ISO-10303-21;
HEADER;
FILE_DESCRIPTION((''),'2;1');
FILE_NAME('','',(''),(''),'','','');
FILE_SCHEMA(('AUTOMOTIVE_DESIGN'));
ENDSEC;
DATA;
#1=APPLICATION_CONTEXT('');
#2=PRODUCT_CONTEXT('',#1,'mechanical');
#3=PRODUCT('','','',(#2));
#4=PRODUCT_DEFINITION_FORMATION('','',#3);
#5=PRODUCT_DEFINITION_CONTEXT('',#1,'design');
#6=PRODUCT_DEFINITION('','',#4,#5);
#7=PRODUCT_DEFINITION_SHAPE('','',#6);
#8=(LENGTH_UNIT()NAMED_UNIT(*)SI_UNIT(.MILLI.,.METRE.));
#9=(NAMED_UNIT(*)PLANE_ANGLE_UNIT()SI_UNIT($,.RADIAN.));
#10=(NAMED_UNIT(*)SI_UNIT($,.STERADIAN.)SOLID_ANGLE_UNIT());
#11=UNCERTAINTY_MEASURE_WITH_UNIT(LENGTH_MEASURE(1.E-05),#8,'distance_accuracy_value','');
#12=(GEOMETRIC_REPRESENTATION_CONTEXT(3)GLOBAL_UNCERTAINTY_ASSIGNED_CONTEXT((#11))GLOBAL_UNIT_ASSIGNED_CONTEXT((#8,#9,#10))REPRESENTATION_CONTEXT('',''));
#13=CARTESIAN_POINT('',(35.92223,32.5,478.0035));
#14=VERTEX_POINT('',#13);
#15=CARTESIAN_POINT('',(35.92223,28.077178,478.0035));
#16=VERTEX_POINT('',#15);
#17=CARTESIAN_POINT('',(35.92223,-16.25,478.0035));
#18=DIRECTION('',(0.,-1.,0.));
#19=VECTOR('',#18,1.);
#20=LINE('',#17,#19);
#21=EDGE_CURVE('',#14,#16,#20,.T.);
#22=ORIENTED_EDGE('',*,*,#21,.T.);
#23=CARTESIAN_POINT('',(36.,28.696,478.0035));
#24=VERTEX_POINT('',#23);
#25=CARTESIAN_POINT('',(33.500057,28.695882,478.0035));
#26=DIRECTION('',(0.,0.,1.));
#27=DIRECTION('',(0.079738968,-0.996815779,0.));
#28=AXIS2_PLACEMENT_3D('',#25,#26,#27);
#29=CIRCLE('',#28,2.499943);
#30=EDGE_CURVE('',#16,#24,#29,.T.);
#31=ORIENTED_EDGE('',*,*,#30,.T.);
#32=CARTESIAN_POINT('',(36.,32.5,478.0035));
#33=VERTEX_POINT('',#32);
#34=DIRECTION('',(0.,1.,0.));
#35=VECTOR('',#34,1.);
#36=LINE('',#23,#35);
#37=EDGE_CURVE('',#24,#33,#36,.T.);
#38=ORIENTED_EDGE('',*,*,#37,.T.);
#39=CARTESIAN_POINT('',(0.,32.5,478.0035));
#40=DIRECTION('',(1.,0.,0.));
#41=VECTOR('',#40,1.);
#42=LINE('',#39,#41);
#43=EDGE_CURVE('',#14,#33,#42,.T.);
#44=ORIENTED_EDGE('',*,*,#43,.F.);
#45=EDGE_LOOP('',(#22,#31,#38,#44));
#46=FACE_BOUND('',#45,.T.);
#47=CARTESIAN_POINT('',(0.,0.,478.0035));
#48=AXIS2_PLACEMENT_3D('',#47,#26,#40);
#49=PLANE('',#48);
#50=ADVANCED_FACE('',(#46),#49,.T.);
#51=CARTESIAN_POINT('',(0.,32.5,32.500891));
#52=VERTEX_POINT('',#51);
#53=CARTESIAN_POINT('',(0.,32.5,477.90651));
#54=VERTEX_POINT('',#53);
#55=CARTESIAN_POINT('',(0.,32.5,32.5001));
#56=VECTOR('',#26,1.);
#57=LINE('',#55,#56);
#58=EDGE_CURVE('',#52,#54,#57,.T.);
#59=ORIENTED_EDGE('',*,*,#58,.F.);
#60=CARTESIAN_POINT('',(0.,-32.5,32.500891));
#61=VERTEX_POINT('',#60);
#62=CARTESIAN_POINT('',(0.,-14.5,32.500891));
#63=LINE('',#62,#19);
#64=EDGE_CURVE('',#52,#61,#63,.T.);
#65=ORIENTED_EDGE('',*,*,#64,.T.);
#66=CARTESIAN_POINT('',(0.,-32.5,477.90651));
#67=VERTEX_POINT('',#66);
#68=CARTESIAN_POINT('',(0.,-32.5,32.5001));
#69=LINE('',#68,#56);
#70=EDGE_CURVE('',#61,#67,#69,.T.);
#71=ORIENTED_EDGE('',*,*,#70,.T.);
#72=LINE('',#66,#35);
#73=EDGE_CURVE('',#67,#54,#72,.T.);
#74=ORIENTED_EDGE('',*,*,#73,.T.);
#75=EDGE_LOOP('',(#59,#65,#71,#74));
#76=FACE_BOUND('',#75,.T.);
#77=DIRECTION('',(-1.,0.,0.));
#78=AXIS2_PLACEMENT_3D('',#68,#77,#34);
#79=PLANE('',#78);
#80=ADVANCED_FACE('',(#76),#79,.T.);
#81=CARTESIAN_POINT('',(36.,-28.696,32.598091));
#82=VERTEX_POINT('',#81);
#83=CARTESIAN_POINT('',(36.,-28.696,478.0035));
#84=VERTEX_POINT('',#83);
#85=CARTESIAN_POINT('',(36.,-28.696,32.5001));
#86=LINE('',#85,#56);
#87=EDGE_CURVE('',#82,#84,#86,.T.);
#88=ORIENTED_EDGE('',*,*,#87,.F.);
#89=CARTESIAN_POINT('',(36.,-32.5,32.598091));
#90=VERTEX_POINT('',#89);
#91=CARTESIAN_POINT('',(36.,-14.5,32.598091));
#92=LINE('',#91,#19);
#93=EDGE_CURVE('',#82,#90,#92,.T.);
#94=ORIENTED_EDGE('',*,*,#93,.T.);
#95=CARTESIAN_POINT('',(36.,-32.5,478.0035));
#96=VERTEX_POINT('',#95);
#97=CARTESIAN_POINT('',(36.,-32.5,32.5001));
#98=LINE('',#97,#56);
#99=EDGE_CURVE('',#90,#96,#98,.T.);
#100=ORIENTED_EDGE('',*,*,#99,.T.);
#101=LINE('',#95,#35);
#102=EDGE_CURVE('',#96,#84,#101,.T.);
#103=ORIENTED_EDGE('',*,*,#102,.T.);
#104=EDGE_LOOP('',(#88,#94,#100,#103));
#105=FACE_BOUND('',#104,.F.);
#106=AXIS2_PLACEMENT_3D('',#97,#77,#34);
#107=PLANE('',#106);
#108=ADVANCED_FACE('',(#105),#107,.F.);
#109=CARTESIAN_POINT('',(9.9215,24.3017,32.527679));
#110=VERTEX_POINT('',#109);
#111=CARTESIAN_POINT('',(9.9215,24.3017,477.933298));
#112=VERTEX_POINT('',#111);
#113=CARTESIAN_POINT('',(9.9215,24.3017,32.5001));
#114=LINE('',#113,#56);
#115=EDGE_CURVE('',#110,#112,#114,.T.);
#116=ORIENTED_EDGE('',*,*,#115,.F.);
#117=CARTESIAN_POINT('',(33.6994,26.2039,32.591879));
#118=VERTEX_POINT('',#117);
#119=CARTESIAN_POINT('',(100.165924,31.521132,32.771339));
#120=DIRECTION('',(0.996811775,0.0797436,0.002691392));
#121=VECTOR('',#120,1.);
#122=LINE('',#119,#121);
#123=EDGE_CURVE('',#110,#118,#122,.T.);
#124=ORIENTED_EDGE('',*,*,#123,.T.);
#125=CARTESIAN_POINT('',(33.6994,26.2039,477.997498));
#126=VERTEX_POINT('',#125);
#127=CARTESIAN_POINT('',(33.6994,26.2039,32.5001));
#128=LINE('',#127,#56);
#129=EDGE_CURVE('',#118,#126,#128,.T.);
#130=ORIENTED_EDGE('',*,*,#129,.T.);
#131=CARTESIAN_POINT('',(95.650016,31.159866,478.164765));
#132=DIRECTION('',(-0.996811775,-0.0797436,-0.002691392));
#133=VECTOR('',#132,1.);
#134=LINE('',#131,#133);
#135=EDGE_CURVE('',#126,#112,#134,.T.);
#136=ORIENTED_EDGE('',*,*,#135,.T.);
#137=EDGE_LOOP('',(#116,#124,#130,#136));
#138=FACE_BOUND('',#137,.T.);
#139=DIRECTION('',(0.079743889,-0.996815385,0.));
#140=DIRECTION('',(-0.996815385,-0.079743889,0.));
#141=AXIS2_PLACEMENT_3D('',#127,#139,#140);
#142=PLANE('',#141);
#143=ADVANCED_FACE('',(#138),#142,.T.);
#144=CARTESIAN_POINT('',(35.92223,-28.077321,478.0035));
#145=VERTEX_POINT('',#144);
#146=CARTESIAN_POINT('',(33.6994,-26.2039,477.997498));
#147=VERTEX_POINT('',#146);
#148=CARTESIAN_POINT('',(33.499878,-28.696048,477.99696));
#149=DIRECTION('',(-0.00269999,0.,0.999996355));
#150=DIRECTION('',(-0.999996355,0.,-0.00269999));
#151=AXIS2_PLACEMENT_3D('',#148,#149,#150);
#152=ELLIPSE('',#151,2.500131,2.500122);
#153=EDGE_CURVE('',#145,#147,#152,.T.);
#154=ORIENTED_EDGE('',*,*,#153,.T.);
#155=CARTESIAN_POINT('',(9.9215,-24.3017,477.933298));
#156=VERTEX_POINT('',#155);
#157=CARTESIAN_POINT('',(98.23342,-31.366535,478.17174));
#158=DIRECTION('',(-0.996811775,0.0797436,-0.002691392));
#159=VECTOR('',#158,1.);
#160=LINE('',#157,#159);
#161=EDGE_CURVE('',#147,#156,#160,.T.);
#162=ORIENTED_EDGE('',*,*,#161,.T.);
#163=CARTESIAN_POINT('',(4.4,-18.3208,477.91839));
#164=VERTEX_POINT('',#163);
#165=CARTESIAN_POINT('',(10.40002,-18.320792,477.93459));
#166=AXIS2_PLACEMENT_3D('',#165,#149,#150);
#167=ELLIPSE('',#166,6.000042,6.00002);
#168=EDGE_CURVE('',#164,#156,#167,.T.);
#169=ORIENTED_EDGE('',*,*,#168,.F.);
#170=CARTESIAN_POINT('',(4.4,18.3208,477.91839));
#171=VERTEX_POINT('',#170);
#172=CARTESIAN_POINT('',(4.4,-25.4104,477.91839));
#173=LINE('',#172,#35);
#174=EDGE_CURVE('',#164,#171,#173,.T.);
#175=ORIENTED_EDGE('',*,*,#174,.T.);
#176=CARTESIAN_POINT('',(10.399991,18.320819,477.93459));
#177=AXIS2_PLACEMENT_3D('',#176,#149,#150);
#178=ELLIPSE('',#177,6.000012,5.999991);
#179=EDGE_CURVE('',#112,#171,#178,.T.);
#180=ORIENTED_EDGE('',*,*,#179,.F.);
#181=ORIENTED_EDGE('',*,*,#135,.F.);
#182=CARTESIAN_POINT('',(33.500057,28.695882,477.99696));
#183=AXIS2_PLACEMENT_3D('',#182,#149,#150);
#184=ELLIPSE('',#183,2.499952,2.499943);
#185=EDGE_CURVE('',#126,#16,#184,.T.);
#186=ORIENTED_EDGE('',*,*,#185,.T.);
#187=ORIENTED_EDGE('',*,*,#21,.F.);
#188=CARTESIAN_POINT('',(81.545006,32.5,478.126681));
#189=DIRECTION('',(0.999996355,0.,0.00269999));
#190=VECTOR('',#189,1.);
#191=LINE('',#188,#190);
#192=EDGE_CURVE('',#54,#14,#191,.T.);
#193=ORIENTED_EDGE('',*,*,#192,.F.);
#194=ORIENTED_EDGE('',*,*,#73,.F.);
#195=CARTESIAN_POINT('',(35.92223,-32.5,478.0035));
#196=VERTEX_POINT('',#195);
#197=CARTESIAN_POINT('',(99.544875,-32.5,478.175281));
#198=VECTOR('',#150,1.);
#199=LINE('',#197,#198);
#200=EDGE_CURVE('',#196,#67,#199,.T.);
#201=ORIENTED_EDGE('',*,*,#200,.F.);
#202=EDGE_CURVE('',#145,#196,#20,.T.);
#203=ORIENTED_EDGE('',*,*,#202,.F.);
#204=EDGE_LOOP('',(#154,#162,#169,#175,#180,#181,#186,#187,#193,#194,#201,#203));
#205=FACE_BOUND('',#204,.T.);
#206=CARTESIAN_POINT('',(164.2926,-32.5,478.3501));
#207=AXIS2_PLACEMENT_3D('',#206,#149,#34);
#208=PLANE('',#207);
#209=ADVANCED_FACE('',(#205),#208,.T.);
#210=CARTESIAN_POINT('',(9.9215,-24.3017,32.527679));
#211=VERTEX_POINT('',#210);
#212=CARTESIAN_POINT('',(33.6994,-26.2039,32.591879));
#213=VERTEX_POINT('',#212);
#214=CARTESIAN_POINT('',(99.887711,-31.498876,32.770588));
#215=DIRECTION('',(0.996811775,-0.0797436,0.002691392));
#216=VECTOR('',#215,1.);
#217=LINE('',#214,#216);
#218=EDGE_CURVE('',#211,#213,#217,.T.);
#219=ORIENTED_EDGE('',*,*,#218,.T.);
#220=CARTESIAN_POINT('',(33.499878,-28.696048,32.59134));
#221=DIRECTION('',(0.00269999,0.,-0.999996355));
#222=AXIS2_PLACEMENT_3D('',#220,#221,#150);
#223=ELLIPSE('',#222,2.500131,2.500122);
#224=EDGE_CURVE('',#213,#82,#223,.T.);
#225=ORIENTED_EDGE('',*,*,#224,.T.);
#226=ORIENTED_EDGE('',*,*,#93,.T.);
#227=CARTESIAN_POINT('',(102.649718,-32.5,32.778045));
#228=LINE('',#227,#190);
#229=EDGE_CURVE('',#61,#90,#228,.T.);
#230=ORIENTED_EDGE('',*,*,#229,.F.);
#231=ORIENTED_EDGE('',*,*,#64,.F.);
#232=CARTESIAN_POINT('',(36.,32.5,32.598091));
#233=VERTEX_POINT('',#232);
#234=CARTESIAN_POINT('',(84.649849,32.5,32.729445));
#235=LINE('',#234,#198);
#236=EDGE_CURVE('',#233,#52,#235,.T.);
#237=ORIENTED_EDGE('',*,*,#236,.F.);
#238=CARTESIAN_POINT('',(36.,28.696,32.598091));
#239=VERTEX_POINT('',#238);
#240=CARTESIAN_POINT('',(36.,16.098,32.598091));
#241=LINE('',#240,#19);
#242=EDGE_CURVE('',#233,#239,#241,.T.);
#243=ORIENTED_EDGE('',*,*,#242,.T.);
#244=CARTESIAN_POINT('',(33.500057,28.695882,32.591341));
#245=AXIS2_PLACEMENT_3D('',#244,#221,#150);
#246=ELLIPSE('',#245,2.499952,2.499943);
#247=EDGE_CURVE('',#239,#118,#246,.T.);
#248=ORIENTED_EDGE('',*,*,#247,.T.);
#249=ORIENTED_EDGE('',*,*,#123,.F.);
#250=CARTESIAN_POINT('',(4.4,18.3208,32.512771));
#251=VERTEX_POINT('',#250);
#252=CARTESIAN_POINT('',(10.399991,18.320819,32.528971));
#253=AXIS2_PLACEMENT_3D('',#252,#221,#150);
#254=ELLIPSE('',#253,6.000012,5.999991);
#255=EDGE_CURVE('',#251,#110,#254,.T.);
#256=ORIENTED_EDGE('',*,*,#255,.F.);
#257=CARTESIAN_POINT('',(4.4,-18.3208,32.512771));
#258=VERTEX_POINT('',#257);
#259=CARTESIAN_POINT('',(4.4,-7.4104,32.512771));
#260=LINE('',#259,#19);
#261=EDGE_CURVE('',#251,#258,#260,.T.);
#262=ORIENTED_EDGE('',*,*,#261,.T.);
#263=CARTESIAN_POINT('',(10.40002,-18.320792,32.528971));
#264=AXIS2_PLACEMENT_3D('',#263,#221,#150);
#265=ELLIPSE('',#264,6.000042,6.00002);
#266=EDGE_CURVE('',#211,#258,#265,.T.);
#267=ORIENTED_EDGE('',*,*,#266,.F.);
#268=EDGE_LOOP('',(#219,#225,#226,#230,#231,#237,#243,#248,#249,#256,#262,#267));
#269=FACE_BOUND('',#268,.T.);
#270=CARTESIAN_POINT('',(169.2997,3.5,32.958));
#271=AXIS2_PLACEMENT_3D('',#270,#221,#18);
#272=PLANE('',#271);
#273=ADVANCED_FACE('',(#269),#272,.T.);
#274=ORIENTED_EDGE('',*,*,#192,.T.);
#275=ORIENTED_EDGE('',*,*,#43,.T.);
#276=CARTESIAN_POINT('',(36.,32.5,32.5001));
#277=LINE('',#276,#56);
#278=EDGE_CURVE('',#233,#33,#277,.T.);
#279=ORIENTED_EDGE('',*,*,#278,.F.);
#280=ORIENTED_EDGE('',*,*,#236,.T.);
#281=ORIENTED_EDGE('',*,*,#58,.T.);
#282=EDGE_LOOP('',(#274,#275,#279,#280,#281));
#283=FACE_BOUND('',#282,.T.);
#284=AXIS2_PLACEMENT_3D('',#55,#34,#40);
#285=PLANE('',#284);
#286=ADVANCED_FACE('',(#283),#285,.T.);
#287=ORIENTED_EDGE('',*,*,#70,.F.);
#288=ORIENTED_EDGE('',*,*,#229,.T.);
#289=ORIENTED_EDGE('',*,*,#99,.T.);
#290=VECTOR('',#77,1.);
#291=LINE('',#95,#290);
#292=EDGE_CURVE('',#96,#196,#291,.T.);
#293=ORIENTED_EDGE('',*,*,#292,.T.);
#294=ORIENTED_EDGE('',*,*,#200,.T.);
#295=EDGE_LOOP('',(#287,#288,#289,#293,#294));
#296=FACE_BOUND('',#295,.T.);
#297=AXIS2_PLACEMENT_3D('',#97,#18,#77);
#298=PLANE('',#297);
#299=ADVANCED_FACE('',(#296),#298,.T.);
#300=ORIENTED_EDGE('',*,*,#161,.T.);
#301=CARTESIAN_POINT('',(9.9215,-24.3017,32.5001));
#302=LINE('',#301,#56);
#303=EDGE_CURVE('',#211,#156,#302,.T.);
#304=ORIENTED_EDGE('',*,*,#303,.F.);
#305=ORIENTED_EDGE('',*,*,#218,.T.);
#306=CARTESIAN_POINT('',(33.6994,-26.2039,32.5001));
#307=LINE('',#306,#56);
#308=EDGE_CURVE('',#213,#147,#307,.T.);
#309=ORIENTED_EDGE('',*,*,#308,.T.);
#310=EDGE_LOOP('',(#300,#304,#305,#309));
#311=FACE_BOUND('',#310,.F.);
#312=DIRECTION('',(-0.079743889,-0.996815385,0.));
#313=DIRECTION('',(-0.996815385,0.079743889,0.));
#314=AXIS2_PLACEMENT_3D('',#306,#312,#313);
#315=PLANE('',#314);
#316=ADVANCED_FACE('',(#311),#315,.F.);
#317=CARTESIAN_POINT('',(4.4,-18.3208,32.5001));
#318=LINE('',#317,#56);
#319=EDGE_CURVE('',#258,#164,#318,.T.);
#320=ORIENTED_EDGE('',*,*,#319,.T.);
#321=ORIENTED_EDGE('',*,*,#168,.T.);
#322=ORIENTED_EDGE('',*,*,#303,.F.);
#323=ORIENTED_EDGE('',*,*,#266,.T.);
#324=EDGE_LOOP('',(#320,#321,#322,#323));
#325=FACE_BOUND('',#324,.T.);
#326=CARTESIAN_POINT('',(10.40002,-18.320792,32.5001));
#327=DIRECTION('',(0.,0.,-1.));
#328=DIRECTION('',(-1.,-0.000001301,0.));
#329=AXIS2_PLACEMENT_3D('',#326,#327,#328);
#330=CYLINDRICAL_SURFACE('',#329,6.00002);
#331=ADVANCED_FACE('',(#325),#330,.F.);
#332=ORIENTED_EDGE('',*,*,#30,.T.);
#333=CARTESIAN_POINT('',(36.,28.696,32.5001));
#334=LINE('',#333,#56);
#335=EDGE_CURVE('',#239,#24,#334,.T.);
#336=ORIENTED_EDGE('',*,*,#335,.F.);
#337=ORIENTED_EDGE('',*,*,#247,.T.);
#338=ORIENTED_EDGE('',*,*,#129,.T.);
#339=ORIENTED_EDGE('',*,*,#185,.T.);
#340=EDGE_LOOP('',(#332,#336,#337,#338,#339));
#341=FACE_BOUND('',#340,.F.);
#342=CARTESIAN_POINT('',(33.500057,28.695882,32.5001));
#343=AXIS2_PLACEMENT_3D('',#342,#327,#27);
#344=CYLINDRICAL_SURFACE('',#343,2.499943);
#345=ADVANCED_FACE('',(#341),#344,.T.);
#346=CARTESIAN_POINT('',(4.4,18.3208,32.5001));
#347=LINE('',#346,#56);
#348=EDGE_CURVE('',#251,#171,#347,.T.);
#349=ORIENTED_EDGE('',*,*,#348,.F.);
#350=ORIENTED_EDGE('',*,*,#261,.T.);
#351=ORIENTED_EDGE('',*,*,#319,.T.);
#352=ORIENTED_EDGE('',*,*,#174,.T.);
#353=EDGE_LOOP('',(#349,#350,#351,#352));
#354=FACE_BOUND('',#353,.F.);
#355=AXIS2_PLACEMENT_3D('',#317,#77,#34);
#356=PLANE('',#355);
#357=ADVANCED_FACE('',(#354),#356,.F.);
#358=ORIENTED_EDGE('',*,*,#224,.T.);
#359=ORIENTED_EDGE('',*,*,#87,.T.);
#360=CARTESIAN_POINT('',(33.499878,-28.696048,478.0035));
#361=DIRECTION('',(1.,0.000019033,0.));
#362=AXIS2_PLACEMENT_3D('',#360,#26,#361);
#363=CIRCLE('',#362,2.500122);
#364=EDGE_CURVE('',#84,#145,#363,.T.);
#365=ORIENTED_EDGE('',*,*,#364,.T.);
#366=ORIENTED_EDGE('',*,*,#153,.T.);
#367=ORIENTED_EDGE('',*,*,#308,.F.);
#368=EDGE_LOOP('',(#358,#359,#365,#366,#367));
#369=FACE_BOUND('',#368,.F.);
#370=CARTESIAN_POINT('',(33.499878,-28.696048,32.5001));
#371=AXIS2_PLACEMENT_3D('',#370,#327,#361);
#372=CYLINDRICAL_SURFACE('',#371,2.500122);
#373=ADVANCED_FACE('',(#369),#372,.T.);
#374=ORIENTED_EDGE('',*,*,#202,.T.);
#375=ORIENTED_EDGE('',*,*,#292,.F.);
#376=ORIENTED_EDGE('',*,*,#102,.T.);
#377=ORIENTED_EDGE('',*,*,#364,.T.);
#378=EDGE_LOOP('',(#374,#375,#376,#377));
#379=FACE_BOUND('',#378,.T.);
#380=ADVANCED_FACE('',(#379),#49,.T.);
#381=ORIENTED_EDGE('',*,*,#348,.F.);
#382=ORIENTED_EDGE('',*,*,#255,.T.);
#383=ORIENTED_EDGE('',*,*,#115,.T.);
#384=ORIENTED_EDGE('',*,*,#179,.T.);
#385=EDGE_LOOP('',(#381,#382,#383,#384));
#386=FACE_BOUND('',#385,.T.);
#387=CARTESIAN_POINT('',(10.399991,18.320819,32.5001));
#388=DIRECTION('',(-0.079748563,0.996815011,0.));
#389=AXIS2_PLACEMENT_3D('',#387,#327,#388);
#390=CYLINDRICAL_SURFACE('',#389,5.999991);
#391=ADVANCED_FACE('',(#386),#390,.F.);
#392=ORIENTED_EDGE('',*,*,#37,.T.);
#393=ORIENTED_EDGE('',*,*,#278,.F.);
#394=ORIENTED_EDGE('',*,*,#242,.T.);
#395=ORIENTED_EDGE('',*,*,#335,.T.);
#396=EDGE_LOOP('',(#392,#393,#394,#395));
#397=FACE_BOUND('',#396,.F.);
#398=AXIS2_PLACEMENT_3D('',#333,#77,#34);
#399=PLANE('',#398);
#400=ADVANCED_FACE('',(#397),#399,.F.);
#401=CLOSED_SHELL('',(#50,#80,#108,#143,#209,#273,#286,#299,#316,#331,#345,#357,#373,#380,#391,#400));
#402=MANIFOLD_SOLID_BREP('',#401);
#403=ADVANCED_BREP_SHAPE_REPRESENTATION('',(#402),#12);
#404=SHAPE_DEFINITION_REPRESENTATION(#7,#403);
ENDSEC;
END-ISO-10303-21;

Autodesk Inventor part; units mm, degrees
ref_plane "Начальная плоскость" through (0, 0, 32.5001) normal (0, 0, 1) x (1, 0, 0)
ref_plane "Конечная плоскость" through (0, 0, 478.0035) normal (0, 0, 1) x (1, 0, 0)
sketch "Эскиз" plane through (0, 0, 0) normal (0, 0, 1) x (1, 0, 0)
  line L0 (36, -32.5) -> (0, -32.5)
  line L1 (36, -32.5) -> (36, -28.696)
  line L2 (33.6994, -26.2039) -> (9.9215, -24.3017)
  line L3 (4.4, -18.3208) -> (4.4, 18.3208)
  line L4 (33.6994, 26.2039) -> (9.9215, 24.3017)
  line L5 (36, 28.696) -> (36, 32.5)
  line L6 (0, 32.5) -> (36, 32.5)
  line L7 (0, -32.5) -> (0, 32.5)
  arc A0 (4.4, -18.3208) -> (9.9215, -24.3017) centre (10.4, -18.3208) ccw
  arc A1 (9.9215, 24.3017) -> (4.4, 18.3208) centre (10.4, 18.3208) ccw
  arc A2 (36, -28.696) -> (33.6994, -26.2039) centre (33.5, -28.696) ccw
  arc A3 (33.6994, 26.2039) -> (36, 28.696) centre (33.5, 28.696) ccw
  line L8 (0, 45.5) -> (0, -45.5) construction
  line L9 (-7.2974, 0) -> (43.7847, 0) construction
  point P0 (36, -26.388)
  point P1 (4.4, -23.86)
  point P2 (4.4, 23.86)
  point P3 (36, 26.388)
  dimension "d3" = 36
  dimension "d5" = 4.4
  dimension "d7" = 65
  dimension "d9" = 8.64
  dimension "d11" = 8.64
  dimension "d13" = 6.112
  dimension "d15" = 6.112
  dimension "d22" = 6
  dimension "d23" = 2.5
  dimension "d24" = 32.5
  dimension "d25" = 0
extrude "Тело" add sketch "Эскиз" along normal up to surface (445.5034 mm away) from surface at 32.5001
sketch "Sketch3" plane through (0, 0, 0) normal (0, 0, 1) x (1, 0, 0)
  line L0 (0, 0) -> (10, 0)
ref_plane "Work Plane7" through (0, 0, 0) normal (0, -1, 0) x (1, 0, 0)
sketch "Sketch4" plane through (0, 0, 0) normal (0, -1, 0) x (1, 0, 0)
  line L0 (-2, 32.5001) -> (12, 32.5001)
  line L1 (-2, 478.0035) -> (12, 478.0035)
  dimension "d29" = 445.5034
ref_plane "РабПлоскость8" through (169.2997, 3.5, 32.958) normal (0.0027, 0, -1) x (-1, 0, -0.0027)
split "Разделение1" plane through (169.2997, 3.5, 32.958) removes the side toward (0.0027, 0, -1)
ref_plane "РабПлоскость9" through (164.2926, -32.5, 478.3501) normal (-0.0027, 0, 1) x (1, 0, 0.0027)
split "Разделение2" plane through (164.2926, -32.5, 478.3501) removes the side toward (-0.0027, 0, 1)
equation "\"d3\" = b"
equation "\"d5\" = t1"
equation "\"d7\" = ParH"
equation "\"d9\" = msp_x1 + t2"
equation "\"d11\" = msp_x1 + t2"
equation "\"d13\" = -msp_x2 + t2"
equation "\"d15\" = -msp_x2 + t2"
equation "\"d22\" = R"
equation "\"d23\" = R1"
equation "\"d24\" = 0.5 * d7"
equation "\"d16\" = G_L"
equation "\"R1\" = 2.5"
equation "\"R\" = 6"
equation "\"t1\" = 4.4"
equation "\"t2\" = 7.2"
equation "\"ParH\" = 65"
equation "\"b\" = 36"
equation "\"msp_x1\" = 0.04 * b"
equation "\"msp_x2\" = -0.08 * t1 + 0.04 * b"
equation "\"G_L\" = d29"
equation "\"ex\" = 0"
equation "\"G_OFFSET_START\" = -32.50012"
equation "\"G_OFFSET_END\" = -35.90288"
equation "\"d26\" = -G_OFFSET_START"
equation "\"d27\" = G_OFFSET_END + B_L"
equation "\"B_L\" = 513.90637"
properties part number "Швеллер 6.5U-445,5 ГОСТ 8240-97" material "Сталь, мягкая"
